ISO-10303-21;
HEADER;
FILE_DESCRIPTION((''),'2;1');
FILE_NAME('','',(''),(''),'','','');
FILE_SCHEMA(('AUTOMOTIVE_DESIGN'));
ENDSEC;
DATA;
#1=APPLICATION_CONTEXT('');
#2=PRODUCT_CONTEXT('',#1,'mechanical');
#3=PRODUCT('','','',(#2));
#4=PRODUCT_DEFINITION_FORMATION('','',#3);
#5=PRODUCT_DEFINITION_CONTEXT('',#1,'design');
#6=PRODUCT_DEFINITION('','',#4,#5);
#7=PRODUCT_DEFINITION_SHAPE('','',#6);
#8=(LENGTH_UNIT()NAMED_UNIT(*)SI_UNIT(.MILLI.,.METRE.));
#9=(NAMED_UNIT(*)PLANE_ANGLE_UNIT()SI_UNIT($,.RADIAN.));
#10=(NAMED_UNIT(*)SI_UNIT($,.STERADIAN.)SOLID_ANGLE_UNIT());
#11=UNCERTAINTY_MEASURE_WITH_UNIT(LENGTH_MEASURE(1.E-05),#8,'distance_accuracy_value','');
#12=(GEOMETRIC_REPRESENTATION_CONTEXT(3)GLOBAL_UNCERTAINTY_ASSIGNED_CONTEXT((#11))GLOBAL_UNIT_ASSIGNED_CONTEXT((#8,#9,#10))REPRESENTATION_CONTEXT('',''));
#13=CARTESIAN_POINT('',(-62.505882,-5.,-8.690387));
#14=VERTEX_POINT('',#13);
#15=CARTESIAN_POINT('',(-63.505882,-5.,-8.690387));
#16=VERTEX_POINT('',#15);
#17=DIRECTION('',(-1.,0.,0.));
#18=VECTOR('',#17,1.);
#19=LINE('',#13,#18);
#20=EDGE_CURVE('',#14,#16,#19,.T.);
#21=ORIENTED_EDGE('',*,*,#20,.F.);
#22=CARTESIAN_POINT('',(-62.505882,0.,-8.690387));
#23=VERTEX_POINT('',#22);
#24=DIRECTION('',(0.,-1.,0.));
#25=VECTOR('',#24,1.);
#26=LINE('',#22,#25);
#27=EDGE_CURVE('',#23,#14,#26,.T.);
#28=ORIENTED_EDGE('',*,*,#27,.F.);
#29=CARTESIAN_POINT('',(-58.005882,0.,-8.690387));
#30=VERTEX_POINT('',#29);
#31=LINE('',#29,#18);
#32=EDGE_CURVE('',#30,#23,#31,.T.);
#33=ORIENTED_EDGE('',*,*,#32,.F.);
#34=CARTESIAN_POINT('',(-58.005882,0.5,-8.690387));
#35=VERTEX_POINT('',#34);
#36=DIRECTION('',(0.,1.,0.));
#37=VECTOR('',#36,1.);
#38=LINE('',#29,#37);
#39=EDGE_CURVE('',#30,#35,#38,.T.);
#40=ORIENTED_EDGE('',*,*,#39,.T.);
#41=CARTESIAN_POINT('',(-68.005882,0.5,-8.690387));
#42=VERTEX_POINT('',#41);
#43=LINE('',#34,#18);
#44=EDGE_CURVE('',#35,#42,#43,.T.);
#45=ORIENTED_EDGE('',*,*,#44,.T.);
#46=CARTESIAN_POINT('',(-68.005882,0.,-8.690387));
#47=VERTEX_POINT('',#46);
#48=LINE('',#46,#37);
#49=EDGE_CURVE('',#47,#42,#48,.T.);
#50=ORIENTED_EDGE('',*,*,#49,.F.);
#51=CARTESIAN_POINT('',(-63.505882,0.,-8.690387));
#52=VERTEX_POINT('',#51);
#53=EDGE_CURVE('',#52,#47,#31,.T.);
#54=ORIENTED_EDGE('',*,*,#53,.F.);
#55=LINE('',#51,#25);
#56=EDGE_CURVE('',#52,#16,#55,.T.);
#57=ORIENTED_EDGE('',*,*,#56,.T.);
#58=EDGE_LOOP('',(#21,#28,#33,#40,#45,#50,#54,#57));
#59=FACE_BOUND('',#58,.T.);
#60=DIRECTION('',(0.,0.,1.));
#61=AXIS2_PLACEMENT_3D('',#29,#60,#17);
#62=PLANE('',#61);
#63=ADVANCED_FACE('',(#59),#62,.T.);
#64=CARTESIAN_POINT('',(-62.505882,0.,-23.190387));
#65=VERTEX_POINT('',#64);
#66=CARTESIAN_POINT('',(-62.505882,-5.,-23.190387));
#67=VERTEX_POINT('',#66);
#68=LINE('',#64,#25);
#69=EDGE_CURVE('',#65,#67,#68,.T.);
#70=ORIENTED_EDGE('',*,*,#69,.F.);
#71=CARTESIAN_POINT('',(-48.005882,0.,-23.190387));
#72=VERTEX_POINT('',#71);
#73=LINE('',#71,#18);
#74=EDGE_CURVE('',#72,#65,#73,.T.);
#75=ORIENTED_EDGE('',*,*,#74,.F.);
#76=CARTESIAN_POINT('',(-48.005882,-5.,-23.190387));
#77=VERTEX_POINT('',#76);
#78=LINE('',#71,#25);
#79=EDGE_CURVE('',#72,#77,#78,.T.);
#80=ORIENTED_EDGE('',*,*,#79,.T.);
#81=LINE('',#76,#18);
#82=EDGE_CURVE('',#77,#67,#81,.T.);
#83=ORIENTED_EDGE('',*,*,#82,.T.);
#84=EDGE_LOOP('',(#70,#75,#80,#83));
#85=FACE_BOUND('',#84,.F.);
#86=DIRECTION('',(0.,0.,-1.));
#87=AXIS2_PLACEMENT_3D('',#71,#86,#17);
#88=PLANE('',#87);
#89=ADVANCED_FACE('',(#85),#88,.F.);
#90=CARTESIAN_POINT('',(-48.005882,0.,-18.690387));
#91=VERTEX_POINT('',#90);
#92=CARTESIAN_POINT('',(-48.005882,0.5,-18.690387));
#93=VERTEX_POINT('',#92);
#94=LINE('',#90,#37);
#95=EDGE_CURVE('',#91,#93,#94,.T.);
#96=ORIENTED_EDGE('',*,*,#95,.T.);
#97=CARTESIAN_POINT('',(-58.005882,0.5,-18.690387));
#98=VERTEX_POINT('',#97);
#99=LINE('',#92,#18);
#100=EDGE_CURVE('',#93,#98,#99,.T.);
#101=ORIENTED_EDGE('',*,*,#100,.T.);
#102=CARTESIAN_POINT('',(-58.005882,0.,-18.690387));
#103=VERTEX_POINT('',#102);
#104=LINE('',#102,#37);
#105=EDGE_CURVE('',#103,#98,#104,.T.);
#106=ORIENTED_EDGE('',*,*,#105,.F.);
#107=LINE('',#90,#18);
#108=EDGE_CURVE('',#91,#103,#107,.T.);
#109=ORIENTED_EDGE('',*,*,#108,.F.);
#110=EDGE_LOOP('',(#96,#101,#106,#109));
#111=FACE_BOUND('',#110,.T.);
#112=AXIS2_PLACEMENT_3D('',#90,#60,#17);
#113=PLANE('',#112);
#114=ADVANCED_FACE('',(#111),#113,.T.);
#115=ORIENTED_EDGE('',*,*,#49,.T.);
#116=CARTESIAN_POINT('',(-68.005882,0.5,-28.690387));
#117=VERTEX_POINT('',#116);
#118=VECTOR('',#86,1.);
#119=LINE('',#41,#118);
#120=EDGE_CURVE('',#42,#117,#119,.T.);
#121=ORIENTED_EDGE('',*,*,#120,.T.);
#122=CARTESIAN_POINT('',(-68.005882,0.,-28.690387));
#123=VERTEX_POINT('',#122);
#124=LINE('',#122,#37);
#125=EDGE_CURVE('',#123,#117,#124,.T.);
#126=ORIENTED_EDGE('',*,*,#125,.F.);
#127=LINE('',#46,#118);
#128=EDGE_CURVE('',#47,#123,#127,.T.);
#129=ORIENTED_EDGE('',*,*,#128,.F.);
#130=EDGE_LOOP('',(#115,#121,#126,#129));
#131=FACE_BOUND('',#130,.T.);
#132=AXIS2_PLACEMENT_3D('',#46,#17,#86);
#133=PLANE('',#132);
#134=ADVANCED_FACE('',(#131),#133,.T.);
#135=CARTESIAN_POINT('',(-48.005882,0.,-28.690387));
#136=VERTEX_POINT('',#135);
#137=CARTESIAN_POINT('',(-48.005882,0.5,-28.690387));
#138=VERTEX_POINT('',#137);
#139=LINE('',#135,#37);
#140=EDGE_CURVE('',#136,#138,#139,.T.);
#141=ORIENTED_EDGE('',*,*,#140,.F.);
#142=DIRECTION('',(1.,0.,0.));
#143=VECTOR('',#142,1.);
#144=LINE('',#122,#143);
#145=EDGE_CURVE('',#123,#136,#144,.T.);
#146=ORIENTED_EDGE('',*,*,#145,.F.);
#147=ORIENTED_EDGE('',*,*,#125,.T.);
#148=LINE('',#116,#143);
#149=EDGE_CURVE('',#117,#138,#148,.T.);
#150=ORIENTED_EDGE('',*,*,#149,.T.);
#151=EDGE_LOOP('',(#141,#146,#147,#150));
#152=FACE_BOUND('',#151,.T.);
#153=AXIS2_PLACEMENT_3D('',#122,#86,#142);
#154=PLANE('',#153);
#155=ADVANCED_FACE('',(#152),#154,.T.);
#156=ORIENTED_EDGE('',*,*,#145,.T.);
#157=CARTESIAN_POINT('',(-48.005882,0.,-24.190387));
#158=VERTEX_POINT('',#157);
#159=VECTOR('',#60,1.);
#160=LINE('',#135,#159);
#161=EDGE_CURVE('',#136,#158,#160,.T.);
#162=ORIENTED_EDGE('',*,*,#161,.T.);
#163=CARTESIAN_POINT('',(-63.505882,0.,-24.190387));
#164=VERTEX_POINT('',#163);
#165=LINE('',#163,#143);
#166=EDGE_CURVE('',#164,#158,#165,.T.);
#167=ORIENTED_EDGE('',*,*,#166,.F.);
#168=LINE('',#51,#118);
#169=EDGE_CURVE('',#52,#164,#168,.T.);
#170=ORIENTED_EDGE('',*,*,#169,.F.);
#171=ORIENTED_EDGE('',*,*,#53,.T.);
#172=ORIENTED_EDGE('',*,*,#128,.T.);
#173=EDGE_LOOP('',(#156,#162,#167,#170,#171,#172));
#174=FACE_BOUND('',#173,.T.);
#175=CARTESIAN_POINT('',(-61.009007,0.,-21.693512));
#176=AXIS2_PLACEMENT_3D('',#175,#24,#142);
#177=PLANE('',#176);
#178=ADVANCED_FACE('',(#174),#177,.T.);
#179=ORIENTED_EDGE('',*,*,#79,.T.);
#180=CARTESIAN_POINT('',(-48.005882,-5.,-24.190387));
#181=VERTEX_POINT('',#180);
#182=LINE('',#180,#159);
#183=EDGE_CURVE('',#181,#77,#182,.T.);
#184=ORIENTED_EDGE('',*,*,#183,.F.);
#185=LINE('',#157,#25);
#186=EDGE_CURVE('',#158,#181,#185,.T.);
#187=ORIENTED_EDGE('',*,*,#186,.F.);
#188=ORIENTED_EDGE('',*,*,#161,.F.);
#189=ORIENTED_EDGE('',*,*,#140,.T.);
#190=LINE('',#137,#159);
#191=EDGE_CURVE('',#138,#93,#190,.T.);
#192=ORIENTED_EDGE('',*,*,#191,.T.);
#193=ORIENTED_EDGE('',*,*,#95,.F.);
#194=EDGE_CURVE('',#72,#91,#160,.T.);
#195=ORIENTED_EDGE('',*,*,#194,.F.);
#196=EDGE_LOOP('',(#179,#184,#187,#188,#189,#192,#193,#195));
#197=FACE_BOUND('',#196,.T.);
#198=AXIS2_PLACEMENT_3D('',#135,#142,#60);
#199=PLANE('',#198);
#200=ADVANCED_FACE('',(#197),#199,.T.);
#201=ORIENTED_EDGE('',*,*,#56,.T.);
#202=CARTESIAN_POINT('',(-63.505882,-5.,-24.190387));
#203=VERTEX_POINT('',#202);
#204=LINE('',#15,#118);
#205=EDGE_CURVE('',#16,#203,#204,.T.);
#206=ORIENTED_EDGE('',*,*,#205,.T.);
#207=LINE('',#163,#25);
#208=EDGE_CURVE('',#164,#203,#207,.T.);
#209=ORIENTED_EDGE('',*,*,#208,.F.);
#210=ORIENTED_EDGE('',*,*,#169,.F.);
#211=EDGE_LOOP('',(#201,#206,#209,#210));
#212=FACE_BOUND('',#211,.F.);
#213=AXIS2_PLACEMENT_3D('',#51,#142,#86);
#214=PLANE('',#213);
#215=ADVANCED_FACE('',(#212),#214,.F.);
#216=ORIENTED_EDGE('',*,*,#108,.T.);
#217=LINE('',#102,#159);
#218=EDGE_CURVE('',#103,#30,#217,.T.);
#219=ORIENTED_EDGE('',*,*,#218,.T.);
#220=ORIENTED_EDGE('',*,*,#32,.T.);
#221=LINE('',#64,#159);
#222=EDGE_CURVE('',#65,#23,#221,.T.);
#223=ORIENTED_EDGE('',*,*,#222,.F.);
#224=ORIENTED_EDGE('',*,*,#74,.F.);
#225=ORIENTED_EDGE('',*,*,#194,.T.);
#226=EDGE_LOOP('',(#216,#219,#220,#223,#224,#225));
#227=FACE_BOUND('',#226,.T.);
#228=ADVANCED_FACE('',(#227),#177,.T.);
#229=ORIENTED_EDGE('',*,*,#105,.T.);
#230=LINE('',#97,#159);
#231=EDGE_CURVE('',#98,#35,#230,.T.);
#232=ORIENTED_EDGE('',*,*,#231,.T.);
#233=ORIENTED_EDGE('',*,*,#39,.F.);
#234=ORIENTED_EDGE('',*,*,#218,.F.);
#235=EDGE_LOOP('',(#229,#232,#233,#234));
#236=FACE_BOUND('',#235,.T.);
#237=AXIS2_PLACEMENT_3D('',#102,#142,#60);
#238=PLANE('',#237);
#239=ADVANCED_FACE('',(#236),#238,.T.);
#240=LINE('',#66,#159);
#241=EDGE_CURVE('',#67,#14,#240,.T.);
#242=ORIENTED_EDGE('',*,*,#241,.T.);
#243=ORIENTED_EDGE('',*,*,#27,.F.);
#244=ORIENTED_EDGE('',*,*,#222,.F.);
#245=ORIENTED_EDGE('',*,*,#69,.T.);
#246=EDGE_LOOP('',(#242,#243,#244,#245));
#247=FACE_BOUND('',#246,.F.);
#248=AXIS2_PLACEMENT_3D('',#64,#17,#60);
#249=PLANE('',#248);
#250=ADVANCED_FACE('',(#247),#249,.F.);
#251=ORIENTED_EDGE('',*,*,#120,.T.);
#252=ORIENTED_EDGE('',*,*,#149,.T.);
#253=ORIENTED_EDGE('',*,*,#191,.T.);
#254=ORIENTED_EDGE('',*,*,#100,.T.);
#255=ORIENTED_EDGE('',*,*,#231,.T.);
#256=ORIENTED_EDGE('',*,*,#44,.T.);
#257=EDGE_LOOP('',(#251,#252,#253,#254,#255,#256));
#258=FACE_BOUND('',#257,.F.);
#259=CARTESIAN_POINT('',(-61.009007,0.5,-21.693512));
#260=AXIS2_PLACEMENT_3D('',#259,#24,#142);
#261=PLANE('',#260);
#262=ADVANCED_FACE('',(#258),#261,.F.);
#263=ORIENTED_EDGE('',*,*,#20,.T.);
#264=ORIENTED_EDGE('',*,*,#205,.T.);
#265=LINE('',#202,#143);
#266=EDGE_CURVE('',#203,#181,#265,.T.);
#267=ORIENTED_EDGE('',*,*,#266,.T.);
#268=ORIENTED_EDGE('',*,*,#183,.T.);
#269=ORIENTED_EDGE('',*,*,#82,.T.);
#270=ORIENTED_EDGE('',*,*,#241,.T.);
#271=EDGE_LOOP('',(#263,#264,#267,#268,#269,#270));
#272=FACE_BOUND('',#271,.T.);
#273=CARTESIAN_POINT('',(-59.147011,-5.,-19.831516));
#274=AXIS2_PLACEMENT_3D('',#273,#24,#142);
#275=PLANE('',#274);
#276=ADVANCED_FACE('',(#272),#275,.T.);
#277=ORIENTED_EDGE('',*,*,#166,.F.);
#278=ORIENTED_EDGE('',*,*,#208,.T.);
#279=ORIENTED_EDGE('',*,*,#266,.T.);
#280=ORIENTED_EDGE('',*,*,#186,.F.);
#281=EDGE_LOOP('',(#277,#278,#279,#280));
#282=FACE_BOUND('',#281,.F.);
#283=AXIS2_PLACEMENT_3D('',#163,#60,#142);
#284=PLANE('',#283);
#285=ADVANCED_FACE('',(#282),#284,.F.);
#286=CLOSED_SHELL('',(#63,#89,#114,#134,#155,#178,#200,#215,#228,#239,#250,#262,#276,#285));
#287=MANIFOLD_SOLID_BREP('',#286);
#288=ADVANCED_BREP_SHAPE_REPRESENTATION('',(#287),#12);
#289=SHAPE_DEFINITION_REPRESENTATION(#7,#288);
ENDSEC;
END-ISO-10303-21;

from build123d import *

# Parameters (mm, degrees)
F1_DEPTH = 5
F2_DEPTH = 0.5


with BuildPart() as f1:
    # F0 (on Front) → F1 (new body)
    with BuildSketch(Plane.XZ):
        Polygon((-63.505882, -24.190387), (-48.005882, -24.190387), (-48.005882, -23.190387), (-62.505882, -23.190387), (-62.505882, -8.690387), (-63.505882, -8.690387), align=None)
    extrude(amount=F1_DEPTH)

    # F0 (on Front) → F2 (join)
    with BuildSketch(Plane.XZ):
        Polygon((-68.005882, -8.690387), (-68.005882, -28.690387), (-48.005882, -28.690387), (-48.005882, -24.190387), (-63.505882, -24.190387), (-63.505882, -8.690387), align=None)
        Polygon((-63.505882, -24.190387), (-48.005882, -24.190387), (-48.005882, -23.190387), (-62.505882, -23.190387), (-62.505882, -8.690387), (-63.505882, -8.690387), align=None)
        Polygon((-62.505882, -23.190387), (-48.005882, -23.190387), (-48.005882, -18.690387), (-58.005882, -18.690387), (-58.005882, -8.690387), (-62.505882, -8.690387), align=None)
    extrude(amount=-F2_DEPTH)


solid = f1.part
